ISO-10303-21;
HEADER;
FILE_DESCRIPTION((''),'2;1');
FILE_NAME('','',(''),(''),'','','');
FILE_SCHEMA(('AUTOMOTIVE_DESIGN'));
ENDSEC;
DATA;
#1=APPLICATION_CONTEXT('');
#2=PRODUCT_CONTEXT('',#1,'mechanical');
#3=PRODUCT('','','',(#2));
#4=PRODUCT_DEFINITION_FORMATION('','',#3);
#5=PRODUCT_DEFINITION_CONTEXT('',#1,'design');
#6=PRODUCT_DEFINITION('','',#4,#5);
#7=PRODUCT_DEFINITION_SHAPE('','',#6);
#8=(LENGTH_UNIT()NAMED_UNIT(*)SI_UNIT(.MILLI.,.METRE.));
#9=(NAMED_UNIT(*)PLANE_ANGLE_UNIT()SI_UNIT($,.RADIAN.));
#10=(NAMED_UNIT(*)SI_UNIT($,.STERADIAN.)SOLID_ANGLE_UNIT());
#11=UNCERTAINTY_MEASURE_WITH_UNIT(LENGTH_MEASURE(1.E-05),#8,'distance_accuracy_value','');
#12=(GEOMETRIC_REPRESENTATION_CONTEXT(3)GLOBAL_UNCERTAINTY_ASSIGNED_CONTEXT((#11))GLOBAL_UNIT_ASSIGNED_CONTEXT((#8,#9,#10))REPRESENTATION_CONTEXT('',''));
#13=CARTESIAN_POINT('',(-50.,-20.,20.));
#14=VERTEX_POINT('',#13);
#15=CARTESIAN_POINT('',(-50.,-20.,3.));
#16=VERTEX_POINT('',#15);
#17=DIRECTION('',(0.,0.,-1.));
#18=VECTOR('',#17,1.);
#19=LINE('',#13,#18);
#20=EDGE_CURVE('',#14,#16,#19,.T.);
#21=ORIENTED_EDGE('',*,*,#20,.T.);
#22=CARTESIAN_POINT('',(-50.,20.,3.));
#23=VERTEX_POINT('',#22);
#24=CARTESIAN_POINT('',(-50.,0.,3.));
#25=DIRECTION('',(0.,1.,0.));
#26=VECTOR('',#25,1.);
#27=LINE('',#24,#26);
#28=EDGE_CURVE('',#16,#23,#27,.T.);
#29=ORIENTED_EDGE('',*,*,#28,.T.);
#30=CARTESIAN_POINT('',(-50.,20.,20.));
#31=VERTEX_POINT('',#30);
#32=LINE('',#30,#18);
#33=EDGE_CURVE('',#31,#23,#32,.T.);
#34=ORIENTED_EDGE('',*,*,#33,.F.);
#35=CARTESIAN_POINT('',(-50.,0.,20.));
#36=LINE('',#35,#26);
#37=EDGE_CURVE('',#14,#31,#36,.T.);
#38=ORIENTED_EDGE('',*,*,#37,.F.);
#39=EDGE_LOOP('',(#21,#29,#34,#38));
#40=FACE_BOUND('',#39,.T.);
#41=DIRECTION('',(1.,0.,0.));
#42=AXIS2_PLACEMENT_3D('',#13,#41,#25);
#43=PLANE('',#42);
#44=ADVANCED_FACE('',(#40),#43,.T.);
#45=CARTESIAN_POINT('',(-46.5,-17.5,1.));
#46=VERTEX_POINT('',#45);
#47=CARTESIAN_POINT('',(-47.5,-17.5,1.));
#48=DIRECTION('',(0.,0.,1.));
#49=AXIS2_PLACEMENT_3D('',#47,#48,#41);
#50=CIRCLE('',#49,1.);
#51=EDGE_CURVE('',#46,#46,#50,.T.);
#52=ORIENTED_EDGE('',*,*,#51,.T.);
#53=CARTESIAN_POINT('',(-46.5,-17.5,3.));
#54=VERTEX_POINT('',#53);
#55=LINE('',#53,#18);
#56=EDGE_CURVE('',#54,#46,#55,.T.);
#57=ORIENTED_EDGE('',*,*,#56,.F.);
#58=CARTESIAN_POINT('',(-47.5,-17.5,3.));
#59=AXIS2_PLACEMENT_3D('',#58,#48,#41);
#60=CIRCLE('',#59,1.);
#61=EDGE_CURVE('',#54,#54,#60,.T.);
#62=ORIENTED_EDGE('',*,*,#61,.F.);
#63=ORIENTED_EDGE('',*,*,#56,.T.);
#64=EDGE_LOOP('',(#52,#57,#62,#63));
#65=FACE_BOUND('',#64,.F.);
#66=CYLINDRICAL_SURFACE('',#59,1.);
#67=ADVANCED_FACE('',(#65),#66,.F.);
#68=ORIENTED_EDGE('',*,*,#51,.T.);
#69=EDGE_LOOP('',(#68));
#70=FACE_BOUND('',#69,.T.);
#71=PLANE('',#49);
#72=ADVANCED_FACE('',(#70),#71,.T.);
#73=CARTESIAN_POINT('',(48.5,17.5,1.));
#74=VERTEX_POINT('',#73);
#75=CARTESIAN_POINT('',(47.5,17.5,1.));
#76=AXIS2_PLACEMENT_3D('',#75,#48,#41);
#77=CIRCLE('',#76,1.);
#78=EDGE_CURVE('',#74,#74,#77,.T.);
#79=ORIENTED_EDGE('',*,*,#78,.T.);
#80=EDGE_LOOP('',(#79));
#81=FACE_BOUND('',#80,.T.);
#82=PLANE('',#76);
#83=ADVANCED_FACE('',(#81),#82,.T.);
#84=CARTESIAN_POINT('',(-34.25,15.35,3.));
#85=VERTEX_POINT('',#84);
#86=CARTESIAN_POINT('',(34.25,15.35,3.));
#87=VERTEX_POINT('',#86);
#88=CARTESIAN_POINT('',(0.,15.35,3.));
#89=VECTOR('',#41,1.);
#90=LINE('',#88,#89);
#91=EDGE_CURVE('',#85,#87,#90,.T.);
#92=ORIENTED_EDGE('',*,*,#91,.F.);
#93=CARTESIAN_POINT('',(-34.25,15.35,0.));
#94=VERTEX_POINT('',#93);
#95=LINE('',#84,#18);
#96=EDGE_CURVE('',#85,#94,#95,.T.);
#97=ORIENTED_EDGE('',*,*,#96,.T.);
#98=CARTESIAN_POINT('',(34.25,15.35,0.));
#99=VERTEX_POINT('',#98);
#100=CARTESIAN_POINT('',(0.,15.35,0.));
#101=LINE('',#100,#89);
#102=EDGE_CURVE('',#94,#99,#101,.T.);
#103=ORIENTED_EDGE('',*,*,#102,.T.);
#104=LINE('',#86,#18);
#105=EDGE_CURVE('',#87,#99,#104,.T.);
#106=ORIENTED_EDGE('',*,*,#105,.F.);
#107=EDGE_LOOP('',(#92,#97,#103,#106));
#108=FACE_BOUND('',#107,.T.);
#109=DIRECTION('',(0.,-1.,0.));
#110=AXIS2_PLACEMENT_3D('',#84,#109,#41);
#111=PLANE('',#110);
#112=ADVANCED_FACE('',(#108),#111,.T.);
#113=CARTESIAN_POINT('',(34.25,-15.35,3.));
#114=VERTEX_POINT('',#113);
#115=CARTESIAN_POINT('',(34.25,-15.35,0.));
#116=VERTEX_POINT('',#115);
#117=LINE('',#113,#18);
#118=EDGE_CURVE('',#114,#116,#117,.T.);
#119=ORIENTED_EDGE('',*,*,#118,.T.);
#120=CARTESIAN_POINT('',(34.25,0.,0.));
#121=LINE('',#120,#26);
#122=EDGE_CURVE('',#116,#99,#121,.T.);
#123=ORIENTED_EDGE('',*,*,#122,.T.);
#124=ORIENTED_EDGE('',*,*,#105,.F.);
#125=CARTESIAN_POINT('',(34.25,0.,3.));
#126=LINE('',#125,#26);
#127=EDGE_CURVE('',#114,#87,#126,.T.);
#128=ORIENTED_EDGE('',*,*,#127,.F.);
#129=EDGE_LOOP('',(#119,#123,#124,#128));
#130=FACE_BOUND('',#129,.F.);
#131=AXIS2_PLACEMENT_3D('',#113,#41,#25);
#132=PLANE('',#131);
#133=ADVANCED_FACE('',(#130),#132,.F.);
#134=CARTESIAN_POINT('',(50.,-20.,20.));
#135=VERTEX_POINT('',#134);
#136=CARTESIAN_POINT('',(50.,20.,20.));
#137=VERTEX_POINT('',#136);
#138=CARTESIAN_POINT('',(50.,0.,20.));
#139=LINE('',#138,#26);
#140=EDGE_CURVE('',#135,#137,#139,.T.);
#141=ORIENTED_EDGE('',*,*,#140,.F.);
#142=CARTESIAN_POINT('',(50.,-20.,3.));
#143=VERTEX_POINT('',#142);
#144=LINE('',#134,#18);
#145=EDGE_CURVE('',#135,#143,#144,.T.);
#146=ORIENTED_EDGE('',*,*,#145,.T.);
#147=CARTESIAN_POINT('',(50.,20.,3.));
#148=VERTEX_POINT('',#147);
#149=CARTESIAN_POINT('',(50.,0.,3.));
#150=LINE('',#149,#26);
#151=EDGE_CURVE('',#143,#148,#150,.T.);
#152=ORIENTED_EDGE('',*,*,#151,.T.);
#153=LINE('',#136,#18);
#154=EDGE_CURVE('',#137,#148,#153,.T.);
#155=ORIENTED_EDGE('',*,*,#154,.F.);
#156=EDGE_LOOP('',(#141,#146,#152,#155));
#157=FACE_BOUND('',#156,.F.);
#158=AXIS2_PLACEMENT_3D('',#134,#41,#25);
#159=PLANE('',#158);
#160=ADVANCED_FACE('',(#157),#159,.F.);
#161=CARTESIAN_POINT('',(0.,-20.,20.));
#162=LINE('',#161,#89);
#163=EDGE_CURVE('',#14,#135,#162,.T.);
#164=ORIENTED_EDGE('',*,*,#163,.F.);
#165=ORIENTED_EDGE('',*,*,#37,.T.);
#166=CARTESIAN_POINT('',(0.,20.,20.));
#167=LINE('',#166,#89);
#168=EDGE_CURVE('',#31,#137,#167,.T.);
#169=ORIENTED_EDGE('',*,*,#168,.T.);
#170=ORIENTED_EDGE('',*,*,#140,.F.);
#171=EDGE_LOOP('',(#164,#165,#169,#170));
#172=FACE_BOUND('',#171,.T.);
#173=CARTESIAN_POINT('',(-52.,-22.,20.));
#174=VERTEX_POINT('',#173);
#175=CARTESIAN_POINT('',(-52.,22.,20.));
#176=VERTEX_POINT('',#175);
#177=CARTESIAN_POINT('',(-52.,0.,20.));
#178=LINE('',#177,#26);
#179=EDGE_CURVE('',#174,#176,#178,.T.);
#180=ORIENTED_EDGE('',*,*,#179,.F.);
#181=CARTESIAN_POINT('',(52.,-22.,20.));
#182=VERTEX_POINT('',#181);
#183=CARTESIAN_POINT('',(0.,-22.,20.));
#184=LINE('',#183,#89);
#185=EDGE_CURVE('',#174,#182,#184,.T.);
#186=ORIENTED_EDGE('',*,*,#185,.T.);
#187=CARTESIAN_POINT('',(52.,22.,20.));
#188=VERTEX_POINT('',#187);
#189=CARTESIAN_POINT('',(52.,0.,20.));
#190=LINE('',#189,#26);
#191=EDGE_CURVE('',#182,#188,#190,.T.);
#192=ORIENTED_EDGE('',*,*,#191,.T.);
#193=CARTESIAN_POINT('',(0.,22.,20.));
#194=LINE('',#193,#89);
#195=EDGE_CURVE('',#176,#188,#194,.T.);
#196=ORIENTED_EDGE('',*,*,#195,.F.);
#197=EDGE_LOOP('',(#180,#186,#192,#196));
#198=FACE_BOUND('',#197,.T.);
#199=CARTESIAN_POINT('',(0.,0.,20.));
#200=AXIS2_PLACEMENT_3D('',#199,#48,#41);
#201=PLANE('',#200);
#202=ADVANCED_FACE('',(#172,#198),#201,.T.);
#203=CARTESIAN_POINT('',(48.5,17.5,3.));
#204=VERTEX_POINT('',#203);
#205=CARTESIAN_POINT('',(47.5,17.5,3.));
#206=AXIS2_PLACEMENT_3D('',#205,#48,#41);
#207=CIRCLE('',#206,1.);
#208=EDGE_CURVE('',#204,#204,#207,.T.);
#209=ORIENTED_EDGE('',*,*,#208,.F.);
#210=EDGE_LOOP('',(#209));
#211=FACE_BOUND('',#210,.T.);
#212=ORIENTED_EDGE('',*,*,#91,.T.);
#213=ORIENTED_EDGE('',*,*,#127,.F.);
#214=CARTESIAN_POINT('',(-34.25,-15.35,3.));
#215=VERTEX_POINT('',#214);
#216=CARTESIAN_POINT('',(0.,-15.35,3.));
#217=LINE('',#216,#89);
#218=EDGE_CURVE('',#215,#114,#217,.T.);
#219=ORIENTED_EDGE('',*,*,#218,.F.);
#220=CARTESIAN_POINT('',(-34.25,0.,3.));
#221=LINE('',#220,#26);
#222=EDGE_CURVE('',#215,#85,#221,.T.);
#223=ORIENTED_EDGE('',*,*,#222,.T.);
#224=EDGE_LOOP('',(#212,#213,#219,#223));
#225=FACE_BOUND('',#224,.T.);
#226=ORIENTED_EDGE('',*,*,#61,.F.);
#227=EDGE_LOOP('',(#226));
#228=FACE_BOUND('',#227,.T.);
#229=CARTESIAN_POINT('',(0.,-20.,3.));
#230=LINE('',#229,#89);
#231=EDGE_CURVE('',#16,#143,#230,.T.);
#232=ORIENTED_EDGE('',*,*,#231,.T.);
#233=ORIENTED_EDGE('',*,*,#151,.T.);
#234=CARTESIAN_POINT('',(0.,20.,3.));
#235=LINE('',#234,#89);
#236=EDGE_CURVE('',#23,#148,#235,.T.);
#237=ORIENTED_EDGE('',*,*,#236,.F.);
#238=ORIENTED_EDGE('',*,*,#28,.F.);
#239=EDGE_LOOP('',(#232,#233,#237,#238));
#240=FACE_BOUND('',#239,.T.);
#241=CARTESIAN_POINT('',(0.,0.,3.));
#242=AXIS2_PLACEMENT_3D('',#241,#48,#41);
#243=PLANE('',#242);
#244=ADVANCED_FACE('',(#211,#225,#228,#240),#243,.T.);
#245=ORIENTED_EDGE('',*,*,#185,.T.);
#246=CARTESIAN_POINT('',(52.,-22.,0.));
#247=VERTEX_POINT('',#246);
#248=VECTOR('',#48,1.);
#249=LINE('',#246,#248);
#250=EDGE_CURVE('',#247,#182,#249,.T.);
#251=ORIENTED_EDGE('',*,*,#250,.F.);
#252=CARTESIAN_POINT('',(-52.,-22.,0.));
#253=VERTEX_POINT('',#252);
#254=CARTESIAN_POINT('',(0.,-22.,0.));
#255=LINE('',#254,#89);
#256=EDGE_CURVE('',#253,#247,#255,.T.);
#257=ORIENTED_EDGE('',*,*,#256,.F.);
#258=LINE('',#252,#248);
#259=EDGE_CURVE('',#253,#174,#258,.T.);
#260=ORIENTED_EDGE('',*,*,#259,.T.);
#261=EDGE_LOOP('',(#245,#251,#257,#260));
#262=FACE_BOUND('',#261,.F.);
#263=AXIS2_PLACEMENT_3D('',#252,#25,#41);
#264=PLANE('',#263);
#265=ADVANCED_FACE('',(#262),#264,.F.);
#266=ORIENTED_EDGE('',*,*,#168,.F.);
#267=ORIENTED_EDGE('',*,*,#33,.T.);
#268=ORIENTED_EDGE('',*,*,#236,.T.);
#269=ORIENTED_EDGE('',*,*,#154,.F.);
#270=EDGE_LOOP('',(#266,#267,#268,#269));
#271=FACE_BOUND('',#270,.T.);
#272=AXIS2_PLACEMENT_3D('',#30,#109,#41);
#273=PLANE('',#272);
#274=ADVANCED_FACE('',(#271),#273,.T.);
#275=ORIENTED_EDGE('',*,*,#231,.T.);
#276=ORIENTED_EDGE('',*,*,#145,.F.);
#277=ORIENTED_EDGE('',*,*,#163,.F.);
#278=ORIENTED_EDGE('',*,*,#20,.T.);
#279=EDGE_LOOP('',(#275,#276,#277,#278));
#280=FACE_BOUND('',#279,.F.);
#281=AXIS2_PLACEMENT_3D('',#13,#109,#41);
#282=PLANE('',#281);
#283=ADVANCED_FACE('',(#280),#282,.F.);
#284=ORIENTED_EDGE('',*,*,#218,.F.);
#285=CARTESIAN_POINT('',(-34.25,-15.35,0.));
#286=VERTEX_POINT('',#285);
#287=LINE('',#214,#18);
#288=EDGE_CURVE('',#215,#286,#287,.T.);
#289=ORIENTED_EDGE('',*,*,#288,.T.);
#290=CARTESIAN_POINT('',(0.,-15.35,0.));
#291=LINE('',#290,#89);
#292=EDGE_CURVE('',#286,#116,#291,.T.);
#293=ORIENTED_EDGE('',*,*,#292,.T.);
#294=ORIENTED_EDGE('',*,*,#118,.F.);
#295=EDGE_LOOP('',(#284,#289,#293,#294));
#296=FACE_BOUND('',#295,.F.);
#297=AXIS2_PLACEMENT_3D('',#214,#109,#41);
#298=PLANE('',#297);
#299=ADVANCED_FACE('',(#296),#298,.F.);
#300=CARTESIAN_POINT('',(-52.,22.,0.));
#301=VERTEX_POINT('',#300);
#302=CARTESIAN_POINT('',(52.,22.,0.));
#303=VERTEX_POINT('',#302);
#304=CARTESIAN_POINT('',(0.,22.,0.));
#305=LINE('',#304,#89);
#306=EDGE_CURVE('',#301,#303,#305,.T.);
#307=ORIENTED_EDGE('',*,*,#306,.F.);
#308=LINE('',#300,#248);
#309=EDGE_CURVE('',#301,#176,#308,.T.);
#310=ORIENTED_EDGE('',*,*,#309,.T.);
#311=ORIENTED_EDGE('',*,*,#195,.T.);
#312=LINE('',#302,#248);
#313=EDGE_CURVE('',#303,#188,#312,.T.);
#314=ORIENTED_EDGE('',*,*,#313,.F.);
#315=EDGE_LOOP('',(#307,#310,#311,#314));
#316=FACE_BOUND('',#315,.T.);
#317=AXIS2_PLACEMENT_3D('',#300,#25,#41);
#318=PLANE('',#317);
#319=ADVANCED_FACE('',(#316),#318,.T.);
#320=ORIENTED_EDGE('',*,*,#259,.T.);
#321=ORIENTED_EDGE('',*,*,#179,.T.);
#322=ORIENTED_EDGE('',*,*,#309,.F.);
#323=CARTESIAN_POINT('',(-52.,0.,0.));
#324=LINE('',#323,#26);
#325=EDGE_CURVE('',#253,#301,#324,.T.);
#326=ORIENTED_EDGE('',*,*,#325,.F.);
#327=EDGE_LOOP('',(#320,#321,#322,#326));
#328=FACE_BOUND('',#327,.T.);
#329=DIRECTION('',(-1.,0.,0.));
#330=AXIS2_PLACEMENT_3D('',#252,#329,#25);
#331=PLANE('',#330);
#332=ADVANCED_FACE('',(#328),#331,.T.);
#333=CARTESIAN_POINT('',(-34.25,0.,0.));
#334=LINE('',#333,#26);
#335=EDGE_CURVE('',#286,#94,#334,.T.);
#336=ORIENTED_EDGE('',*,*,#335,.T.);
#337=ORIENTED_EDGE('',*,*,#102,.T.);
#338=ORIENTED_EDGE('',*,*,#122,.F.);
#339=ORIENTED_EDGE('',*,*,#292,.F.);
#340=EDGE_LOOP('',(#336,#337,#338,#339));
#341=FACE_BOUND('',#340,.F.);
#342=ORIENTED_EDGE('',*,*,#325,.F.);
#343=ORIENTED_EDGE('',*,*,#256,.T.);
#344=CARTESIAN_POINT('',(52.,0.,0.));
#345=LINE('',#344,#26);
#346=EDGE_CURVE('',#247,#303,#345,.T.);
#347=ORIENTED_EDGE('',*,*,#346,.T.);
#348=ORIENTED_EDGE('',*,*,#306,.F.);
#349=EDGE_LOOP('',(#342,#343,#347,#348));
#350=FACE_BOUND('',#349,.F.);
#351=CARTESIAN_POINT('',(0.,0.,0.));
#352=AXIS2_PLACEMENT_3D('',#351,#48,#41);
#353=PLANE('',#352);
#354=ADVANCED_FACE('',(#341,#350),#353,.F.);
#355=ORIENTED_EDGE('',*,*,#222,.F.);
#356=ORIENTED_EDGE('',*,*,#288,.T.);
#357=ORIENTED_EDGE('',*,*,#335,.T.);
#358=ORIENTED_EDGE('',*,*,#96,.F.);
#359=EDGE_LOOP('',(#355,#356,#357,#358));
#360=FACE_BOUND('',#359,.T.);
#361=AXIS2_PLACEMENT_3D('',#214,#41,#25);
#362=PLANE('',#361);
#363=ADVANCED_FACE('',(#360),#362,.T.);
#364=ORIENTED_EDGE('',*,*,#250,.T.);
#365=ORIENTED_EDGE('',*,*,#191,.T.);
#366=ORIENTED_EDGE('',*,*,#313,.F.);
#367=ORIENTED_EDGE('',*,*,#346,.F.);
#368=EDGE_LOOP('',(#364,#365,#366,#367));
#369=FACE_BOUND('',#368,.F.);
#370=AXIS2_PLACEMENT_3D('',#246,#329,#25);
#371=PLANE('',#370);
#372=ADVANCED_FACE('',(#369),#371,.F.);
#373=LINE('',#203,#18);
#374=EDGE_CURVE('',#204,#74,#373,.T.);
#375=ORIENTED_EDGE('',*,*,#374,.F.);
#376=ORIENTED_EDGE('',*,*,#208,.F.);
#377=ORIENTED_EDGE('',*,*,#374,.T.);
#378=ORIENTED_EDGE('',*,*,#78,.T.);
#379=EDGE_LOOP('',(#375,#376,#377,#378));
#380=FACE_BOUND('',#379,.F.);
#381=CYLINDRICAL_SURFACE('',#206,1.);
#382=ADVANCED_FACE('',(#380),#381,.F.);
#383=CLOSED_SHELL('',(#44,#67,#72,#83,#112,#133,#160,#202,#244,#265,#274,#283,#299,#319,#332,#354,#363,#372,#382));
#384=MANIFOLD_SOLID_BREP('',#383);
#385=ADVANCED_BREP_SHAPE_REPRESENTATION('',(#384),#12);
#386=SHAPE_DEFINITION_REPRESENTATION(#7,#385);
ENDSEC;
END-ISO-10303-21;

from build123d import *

# Parameters (mm, degrees)
SKETCH_W        = 104
SKETCH_H        = 44
PAD_DEPTH       = 20
SKETCH001_W     = 100
SKETCH001_H     = 40
POCKET_DEPTH    = 17
SKETCH002_W     = 68.5
SKETCH002_H     = 30.7
POCKET001_DEPTH = 3
SKETCH003_R     = 1
POCKET002_DEPTH = 2


with BuildPart() as part:
    # Sketch → Pad (new body)
    with BuildSketch(Plane.XY):
        Rectangle(SKETCH_W, SKETCH_H)
    extrude(amount=PAD_DEPTH)

    # Sketch001 (on Face6 of Pad) → Pocket (cut)
    with BuildSketch(Plane.XY.offset(20)):
        Rectangle(SKETCH001_W, SKETCH001_H)
    extrude(amount=-POCKET_DEPTH, mode=Mode.SUBTRACT)

    # Sketch002 (on Face11 of Pocket) → Pocket001 (cut)
    with BuildSketch(Plane.XY.offset(3)):
        Rectangle(SKETCH002_W, SKETCH002_H)
    extrude(amount=-POCKET001_DEPTH, mode=Mode.SUBTRACT)

    # Sketch003 (on Face15 of Pocket001) → Pocket002 (cut)
    with BuildSketch(Plane.XY.offset(3)):
        with Locations((47.5, 17.5)):
            Circle(SKETCH003_R)
        with Locations((-47.5, -17.5)):
            Circle(SKETCH003_R)
    extrude(amount=-POCKET002_DEPTH, mode=Mode.SUBTRACT)


solid = part.part
